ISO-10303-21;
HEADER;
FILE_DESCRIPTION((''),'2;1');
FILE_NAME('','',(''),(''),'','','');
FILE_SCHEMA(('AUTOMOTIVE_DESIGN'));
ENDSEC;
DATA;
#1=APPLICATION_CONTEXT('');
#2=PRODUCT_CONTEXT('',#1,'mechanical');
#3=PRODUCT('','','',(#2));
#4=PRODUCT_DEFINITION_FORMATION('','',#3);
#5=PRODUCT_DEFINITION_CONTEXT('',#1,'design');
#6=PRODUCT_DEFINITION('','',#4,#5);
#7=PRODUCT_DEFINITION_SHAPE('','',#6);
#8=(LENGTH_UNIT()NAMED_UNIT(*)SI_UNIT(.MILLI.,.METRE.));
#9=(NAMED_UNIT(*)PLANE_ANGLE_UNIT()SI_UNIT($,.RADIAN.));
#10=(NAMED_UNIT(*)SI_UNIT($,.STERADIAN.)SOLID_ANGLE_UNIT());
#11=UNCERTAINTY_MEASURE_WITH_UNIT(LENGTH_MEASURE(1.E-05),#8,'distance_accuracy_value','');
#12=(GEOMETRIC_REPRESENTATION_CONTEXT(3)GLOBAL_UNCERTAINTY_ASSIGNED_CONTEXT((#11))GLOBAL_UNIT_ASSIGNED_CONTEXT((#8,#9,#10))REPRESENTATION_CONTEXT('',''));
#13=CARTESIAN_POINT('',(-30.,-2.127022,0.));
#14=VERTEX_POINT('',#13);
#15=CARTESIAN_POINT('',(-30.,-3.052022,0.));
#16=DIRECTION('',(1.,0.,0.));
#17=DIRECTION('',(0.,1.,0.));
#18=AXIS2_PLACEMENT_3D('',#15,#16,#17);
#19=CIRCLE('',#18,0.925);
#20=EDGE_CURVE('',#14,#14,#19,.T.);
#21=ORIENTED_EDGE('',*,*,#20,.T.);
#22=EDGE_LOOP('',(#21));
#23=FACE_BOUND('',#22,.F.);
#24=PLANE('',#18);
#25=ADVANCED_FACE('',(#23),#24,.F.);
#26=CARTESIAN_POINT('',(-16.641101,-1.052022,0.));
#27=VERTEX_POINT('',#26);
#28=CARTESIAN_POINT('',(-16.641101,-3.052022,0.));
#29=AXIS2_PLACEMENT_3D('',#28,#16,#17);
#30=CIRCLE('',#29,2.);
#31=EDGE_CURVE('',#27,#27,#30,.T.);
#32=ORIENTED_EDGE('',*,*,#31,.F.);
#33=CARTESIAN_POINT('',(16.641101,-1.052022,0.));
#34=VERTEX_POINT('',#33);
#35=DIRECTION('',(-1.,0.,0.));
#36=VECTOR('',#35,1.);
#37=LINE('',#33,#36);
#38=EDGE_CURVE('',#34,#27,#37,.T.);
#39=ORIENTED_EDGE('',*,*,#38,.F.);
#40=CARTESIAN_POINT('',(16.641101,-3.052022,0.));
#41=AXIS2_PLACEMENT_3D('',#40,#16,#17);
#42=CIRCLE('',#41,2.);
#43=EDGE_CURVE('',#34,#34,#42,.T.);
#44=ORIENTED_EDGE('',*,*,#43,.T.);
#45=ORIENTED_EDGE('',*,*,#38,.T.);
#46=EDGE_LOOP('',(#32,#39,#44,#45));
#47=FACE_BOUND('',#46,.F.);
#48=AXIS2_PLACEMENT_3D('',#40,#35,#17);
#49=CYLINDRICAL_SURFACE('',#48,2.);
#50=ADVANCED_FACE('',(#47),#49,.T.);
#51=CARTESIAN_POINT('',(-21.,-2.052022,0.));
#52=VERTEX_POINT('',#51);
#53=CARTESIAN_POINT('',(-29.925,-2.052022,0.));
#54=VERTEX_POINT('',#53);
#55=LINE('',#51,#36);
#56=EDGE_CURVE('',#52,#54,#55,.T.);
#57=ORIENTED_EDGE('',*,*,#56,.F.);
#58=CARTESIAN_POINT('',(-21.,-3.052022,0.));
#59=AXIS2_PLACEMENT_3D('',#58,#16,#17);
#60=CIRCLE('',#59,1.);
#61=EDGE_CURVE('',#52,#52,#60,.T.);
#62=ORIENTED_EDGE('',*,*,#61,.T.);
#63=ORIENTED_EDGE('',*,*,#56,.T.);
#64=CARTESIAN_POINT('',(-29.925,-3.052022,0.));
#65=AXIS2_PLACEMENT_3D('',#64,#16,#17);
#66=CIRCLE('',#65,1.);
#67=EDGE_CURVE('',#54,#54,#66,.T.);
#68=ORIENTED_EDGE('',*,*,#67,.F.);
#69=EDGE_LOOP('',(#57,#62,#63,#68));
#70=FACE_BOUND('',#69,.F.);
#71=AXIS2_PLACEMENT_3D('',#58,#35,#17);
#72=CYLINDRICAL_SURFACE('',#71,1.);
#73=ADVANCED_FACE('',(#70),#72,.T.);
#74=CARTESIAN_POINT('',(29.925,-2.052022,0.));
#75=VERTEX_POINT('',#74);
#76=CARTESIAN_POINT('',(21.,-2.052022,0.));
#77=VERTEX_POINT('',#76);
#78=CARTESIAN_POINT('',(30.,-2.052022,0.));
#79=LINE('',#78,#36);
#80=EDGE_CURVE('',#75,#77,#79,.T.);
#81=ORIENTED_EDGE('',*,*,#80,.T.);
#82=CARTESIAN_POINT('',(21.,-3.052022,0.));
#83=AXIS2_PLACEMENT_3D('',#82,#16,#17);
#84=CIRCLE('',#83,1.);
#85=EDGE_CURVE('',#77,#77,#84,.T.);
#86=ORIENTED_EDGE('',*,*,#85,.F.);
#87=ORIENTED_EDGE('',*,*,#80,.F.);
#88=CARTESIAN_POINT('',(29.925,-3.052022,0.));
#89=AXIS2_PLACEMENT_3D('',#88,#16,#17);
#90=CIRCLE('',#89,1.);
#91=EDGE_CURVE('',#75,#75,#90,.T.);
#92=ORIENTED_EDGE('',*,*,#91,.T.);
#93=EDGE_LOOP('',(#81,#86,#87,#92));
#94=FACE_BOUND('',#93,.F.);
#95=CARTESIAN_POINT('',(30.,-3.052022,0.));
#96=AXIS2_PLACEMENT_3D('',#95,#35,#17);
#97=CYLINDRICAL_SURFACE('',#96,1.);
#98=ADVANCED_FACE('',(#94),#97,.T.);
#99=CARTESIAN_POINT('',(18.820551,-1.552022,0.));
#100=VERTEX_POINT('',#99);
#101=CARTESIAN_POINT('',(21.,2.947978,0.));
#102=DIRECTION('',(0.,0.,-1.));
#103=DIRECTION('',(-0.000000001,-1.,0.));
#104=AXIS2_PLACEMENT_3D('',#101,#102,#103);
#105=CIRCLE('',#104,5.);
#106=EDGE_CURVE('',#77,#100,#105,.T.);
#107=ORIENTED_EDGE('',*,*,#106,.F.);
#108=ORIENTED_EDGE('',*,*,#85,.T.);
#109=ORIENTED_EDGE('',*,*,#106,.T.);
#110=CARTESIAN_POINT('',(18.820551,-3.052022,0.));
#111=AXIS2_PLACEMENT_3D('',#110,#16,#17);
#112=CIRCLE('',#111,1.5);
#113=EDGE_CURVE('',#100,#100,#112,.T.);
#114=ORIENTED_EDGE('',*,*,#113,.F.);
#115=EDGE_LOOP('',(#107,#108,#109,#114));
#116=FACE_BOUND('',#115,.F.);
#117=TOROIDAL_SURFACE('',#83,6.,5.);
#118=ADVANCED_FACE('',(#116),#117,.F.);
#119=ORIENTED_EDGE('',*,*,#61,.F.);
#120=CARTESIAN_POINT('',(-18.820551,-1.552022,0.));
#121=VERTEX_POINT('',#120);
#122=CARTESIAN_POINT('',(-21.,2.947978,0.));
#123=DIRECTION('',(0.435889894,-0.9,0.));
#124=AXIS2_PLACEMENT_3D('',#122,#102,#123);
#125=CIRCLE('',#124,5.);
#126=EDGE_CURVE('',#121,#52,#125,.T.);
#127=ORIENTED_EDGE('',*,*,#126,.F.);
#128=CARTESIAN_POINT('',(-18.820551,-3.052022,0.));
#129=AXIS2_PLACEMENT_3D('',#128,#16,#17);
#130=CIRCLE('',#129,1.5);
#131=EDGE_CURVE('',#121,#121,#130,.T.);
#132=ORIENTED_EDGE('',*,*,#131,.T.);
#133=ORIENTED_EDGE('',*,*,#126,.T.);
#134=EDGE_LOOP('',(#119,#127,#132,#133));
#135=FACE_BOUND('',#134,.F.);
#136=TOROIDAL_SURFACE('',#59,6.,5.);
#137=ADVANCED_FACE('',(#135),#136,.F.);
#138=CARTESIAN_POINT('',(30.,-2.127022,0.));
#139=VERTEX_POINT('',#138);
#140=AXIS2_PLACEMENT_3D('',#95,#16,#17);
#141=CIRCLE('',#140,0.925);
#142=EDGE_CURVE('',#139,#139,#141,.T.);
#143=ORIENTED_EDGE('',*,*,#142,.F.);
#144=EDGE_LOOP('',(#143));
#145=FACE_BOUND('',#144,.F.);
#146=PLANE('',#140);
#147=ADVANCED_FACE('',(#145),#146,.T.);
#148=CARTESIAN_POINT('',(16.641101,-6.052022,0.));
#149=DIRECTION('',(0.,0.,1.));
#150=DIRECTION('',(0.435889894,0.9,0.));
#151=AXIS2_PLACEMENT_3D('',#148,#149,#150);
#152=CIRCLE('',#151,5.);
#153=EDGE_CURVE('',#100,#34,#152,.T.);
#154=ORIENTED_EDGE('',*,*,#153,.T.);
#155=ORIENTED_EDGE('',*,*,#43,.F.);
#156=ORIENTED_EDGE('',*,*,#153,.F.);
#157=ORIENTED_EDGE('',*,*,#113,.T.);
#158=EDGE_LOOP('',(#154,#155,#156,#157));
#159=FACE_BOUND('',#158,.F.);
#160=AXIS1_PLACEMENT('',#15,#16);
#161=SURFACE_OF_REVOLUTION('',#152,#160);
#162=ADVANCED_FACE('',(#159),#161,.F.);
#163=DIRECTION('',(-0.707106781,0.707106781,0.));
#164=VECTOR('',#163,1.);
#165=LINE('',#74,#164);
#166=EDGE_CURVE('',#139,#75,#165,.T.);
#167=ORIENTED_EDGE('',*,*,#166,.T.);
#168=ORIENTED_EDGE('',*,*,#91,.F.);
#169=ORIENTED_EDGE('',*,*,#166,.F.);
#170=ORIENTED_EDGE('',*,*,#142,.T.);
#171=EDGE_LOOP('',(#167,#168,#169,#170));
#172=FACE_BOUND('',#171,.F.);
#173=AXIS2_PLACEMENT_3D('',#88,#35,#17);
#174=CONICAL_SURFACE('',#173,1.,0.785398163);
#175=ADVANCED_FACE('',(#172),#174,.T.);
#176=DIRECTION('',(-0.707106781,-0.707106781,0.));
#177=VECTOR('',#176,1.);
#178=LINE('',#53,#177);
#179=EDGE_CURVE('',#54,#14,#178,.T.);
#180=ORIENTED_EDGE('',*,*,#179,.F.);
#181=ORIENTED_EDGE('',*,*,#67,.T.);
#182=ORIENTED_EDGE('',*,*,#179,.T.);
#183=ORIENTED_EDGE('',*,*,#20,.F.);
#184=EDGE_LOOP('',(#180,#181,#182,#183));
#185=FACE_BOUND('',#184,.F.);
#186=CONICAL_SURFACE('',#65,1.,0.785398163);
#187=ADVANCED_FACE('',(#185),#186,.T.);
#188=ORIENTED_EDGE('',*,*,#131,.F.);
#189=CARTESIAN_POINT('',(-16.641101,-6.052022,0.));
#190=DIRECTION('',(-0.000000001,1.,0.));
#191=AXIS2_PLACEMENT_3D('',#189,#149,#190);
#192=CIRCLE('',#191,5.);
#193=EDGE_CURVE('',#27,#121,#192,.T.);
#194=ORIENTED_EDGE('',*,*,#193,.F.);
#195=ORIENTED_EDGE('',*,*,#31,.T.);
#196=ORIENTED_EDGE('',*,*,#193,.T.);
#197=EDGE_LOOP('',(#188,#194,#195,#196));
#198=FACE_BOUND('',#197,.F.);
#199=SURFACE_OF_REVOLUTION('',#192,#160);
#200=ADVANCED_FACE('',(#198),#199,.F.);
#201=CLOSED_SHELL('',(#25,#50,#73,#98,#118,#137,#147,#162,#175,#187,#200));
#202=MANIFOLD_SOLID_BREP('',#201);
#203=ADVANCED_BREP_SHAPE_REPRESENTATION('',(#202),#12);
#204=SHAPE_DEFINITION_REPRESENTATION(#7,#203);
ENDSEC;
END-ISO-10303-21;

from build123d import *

# Parameters (mm, degrees)
CHAMFER1_SIZE = 0.075


with BuildPart() as part:
    # Sketch1 → Revolve1 (revolve)
    with BuildSketch(Plane.XY):
        with BuildLine():
            Line((-30, -3.052022418), (30, -3.052022418))
            Line((30, -3.052022418), (30, -2.052022418))
            Line((30, -2.052022418), (21, -2.052022418))
            ThreePointArc((21, -2.052022418), (19.881966011, -1.92541959), (18.820550528, -1.552022418))
            ThreePointArc((18.820550528, -1.552022418), (17.759135045, -1.178625246), (16.641101056, -1.052022418))
            Line((16.641101056, -1.052022418), (-16.641101056, -1.052022418))
            ThreePointArc((-16.641101056, -1.052022418), (-17.759135045, -1.178625246), (-18.820550528, -1.552022418))
            ThreePointArc((-18.820550528, -1.552022418), (-19.881966011, -1.92541959), (-21, -2.052022418))
            Line((-21, -2.052022418), (-30, -2.052022418))
            Line((-30, -2.052022418), (-30, -3.052022418))
        make_face()
    revolve(axis=Axis((-30, -3.052022418, 0), (1, 0, 0)))

    # Chamfer1
    chamfer1_edges = [part.edges().sort_by_distance(p)[0] for p in [
        (30, -4.052022418, 0),
        (-30, -4.052022418, 0),
    ]]
    chamfer(chamfer1_edges, length=CHAMFER1_SIZE)


solid = part.part
